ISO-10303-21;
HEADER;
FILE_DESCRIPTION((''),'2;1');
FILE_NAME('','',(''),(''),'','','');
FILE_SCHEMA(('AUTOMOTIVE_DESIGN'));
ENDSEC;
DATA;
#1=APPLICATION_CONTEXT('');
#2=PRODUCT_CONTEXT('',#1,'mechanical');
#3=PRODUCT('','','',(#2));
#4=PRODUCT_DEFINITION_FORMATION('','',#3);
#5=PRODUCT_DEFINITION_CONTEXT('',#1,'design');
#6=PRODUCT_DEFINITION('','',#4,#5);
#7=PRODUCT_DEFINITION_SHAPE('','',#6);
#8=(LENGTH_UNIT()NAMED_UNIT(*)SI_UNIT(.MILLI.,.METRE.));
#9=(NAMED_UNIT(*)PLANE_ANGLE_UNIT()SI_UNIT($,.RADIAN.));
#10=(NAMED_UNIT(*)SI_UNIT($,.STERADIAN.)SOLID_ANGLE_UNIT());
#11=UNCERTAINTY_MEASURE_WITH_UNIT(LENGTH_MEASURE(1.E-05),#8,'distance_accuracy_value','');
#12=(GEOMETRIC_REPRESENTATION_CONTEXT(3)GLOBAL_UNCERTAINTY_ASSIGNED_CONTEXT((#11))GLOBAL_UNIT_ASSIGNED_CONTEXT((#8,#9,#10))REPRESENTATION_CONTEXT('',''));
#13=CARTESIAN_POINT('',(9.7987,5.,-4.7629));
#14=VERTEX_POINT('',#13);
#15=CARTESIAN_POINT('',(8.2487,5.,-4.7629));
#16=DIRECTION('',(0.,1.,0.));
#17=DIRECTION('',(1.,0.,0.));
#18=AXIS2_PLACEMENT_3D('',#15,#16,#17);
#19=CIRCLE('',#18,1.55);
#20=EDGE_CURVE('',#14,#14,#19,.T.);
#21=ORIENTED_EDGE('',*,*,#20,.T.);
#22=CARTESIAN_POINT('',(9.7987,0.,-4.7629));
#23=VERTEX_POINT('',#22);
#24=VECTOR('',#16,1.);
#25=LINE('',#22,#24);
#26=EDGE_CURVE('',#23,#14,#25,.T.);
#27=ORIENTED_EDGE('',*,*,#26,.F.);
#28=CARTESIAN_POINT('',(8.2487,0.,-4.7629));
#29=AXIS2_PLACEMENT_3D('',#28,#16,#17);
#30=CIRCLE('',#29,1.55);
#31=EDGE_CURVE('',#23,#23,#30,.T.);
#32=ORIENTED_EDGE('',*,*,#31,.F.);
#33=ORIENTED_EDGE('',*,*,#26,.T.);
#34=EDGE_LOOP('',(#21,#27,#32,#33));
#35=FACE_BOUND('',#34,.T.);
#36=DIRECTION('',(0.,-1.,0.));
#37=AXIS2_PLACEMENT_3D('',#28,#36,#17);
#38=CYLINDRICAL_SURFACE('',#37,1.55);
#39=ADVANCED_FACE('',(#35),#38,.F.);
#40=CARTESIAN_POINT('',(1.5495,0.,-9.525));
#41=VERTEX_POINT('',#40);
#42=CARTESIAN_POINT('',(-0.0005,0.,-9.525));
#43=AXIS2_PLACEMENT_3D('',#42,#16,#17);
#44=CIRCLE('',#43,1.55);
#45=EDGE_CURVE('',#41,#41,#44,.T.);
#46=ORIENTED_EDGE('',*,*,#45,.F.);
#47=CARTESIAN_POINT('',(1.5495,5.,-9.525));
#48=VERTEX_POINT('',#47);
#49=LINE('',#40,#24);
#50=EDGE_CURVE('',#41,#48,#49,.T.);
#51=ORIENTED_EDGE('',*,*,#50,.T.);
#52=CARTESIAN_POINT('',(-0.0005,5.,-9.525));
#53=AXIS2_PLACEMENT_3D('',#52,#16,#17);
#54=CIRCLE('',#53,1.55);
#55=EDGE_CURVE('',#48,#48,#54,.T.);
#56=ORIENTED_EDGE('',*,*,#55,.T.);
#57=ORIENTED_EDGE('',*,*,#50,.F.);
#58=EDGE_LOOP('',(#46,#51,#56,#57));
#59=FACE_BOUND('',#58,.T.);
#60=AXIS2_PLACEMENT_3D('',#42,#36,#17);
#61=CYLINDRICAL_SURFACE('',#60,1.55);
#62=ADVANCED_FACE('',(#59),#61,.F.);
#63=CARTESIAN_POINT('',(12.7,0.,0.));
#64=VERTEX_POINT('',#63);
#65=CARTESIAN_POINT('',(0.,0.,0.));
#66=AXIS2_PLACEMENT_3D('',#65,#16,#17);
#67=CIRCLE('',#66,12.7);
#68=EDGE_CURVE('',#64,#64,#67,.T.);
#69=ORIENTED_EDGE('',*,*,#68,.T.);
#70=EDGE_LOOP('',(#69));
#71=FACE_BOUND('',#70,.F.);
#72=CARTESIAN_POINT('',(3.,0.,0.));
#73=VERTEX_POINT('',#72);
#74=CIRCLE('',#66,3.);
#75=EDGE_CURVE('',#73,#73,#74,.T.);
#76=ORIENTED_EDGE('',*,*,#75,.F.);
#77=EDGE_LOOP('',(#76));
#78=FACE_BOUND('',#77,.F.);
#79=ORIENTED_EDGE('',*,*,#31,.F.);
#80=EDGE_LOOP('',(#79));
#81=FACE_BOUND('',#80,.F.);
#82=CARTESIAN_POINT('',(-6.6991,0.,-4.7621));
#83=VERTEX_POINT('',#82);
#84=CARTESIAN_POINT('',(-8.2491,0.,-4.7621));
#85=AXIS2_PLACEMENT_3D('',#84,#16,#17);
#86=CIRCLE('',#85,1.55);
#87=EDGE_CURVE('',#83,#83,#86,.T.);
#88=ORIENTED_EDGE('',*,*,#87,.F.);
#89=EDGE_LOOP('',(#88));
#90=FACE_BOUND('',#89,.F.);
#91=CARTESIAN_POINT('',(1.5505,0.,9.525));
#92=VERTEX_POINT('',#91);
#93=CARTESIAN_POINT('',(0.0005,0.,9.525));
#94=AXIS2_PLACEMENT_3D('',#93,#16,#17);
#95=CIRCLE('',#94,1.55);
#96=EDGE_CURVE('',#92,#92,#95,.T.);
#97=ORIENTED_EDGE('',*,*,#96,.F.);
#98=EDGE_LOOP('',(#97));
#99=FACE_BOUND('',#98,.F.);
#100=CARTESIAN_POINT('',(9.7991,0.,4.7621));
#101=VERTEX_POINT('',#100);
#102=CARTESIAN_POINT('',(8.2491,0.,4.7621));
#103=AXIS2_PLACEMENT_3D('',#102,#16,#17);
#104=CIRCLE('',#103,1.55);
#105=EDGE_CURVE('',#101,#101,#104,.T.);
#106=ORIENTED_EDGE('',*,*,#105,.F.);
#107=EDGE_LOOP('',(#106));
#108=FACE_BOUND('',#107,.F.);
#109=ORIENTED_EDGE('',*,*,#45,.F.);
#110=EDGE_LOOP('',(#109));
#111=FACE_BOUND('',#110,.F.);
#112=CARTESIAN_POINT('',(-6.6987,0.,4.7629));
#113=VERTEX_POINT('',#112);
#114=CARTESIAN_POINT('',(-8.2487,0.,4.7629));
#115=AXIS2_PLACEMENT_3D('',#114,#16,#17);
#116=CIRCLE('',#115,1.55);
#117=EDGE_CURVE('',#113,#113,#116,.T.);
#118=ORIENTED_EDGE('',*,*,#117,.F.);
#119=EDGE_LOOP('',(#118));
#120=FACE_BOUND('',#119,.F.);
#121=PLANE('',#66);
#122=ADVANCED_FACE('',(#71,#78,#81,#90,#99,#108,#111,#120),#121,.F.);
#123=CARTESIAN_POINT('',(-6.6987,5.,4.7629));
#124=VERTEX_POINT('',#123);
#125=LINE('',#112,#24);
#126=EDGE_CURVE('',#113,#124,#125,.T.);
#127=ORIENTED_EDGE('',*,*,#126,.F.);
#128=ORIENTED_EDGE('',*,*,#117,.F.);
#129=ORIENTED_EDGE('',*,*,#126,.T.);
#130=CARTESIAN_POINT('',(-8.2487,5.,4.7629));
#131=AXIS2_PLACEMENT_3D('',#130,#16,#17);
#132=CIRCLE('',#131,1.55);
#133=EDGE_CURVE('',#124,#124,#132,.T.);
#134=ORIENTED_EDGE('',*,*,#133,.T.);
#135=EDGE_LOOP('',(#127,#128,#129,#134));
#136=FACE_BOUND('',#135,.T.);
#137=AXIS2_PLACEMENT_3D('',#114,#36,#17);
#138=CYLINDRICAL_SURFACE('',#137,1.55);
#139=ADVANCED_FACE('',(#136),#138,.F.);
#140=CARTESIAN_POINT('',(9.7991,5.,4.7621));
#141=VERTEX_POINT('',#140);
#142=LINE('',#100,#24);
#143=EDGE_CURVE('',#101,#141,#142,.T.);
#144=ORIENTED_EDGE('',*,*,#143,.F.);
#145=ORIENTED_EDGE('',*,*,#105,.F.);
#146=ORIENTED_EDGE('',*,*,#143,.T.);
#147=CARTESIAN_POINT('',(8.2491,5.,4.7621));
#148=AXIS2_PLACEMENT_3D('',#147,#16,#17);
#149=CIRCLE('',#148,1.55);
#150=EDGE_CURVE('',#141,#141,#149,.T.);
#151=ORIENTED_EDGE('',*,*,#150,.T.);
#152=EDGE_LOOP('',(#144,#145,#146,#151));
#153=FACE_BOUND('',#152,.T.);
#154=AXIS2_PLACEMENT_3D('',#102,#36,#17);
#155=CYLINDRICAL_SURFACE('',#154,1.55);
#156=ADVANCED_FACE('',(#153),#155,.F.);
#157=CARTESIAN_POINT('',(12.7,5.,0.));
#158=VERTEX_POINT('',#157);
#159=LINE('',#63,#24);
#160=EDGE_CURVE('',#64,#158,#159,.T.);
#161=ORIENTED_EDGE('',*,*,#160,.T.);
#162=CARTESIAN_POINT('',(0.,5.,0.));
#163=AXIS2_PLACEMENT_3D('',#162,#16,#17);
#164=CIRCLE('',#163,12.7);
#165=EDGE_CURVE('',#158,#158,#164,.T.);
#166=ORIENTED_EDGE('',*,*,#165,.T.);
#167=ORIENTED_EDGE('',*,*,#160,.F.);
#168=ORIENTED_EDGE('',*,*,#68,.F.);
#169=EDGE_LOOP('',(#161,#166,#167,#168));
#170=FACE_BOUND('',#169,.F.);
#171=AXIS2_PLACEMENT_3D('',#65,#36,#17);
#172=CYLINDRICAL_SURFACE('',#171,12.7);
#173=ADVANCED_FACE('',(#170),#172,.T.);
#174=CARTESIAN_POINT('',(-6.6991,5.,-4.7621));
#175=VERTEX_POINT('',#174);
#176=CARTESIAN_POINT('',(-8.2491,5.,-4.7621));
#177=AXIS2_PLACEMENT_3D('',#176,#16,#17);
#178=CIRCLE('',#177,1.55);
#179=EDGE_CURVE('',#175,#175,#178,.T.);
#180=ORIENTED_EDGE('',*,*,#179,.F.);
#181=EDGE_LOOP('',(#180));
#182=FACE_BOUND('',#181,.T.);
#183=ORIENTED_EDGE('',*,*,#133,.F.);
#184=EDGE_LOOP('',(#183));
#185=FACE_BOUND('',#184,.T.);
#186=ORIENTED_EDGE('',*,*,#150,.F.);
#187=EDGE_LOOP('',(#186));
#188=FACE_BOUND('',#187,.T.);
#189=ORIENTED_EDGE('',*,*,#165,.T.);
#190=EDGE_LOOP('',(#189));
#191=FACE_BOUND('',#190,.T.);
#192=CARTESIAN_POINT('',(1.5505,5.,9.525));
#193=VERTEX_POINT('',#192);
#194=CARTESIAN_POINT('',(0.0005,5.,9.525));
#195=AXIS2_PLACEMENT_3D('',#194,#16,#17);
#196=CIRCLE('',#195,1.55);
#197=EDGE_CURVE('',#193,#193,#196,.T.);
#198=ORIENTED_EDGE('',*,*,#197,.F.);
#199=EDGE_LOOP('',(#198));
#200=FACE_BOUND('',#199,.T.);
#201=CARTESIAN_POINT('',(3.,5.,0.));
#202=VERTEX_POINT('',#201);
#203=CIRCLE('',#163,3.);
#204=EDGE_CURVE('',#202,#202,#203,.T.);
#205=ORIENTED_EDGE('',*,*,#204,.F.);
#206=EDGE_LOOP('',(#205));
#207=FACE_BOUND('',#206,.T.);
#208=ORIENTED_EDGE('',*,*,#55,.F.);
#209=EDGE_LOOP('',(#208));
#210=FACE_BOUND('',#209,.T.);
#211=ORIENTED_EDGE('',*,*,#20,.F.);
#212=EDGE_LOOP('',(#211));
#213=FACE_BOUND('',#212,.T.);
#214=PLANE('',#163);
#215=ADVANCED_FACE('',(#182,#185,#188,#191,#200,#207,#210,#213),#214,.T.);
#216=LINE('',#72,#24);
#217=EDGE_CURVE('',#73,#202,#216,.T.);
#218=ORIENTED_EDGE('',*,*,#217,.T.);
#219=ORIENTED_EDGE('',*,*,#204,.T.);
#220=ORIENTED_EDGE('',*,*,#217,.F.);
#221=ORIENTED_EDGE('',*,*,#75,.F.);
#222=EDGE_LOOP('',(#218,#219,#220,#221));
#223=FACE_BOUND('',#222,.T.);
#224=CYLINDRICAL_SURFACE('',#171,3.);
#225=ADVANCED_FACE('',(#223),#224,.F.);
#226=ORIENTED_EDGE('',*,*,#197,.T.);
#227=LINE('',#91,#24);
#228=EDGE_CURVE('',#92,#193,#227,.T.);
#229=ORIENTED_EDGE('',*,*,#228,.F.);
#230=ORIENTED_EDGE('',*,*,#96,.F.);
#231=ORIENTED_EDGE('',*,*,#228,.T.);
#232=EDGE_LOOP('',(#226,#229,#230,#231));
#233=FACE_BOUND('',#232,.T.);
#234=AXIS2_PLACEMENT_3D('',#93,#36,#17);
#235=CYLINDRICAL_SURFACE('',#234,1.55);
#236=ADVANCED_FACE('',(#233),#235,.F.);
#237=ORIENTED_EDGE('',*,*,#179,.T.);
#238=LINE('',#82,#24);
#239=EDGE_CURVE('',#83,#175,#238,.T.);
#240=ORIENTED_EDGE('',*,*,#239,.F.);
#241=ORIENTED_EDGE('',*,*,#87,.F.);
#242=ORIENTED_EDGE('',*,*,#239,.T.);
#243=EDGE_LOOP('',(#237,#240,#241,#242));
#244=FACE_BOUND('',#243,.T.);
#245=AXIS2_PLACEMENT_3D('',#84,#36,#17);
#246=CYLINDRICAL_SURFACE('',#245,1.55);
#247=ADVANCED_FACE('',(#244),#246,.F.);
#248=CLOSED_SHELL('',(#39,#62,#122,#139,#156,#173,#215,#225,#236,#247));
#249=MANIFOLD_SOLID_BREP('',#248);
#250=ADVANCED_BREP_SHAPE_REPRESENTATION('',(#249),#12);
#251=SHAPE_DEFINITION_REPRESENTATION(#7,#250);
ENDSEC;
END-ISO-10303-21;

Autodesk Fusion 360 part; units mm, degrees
sketch "Sketch1" plane through (0, 0, 0) normal (0, 1, 0) x (1, 0, 0)
  circle A0 centre (0, 0) radius 12.7
  circle A1 centre (0, 0) radius 9.525 construction
  circle A2 centre (-0.0005, 9.525) radius 1.55
  circle A3 centre (-8.2491, 4.7621) radius 1.55
  circle A4 centre (-8.2487, -4.7629) radius 1.55
  circle A5 centre (0.0005, -9.525) radius 1.55
  circle A6 centre (8.2491, -4.7621) radius 1.55
  circle A7 centre (8.2487, 4.7629) radius 1.55
  circle A8 centre (0, 0) radius 3
  dimension "d1" = 25.4
  dimension "d2" = 19.05
  dimension "d3" = 3.1
  dimension "d5" = 360
  dimension "d6" = 6
extrude "Extrude1" add sketch "Sketch1" along normal blind 5
